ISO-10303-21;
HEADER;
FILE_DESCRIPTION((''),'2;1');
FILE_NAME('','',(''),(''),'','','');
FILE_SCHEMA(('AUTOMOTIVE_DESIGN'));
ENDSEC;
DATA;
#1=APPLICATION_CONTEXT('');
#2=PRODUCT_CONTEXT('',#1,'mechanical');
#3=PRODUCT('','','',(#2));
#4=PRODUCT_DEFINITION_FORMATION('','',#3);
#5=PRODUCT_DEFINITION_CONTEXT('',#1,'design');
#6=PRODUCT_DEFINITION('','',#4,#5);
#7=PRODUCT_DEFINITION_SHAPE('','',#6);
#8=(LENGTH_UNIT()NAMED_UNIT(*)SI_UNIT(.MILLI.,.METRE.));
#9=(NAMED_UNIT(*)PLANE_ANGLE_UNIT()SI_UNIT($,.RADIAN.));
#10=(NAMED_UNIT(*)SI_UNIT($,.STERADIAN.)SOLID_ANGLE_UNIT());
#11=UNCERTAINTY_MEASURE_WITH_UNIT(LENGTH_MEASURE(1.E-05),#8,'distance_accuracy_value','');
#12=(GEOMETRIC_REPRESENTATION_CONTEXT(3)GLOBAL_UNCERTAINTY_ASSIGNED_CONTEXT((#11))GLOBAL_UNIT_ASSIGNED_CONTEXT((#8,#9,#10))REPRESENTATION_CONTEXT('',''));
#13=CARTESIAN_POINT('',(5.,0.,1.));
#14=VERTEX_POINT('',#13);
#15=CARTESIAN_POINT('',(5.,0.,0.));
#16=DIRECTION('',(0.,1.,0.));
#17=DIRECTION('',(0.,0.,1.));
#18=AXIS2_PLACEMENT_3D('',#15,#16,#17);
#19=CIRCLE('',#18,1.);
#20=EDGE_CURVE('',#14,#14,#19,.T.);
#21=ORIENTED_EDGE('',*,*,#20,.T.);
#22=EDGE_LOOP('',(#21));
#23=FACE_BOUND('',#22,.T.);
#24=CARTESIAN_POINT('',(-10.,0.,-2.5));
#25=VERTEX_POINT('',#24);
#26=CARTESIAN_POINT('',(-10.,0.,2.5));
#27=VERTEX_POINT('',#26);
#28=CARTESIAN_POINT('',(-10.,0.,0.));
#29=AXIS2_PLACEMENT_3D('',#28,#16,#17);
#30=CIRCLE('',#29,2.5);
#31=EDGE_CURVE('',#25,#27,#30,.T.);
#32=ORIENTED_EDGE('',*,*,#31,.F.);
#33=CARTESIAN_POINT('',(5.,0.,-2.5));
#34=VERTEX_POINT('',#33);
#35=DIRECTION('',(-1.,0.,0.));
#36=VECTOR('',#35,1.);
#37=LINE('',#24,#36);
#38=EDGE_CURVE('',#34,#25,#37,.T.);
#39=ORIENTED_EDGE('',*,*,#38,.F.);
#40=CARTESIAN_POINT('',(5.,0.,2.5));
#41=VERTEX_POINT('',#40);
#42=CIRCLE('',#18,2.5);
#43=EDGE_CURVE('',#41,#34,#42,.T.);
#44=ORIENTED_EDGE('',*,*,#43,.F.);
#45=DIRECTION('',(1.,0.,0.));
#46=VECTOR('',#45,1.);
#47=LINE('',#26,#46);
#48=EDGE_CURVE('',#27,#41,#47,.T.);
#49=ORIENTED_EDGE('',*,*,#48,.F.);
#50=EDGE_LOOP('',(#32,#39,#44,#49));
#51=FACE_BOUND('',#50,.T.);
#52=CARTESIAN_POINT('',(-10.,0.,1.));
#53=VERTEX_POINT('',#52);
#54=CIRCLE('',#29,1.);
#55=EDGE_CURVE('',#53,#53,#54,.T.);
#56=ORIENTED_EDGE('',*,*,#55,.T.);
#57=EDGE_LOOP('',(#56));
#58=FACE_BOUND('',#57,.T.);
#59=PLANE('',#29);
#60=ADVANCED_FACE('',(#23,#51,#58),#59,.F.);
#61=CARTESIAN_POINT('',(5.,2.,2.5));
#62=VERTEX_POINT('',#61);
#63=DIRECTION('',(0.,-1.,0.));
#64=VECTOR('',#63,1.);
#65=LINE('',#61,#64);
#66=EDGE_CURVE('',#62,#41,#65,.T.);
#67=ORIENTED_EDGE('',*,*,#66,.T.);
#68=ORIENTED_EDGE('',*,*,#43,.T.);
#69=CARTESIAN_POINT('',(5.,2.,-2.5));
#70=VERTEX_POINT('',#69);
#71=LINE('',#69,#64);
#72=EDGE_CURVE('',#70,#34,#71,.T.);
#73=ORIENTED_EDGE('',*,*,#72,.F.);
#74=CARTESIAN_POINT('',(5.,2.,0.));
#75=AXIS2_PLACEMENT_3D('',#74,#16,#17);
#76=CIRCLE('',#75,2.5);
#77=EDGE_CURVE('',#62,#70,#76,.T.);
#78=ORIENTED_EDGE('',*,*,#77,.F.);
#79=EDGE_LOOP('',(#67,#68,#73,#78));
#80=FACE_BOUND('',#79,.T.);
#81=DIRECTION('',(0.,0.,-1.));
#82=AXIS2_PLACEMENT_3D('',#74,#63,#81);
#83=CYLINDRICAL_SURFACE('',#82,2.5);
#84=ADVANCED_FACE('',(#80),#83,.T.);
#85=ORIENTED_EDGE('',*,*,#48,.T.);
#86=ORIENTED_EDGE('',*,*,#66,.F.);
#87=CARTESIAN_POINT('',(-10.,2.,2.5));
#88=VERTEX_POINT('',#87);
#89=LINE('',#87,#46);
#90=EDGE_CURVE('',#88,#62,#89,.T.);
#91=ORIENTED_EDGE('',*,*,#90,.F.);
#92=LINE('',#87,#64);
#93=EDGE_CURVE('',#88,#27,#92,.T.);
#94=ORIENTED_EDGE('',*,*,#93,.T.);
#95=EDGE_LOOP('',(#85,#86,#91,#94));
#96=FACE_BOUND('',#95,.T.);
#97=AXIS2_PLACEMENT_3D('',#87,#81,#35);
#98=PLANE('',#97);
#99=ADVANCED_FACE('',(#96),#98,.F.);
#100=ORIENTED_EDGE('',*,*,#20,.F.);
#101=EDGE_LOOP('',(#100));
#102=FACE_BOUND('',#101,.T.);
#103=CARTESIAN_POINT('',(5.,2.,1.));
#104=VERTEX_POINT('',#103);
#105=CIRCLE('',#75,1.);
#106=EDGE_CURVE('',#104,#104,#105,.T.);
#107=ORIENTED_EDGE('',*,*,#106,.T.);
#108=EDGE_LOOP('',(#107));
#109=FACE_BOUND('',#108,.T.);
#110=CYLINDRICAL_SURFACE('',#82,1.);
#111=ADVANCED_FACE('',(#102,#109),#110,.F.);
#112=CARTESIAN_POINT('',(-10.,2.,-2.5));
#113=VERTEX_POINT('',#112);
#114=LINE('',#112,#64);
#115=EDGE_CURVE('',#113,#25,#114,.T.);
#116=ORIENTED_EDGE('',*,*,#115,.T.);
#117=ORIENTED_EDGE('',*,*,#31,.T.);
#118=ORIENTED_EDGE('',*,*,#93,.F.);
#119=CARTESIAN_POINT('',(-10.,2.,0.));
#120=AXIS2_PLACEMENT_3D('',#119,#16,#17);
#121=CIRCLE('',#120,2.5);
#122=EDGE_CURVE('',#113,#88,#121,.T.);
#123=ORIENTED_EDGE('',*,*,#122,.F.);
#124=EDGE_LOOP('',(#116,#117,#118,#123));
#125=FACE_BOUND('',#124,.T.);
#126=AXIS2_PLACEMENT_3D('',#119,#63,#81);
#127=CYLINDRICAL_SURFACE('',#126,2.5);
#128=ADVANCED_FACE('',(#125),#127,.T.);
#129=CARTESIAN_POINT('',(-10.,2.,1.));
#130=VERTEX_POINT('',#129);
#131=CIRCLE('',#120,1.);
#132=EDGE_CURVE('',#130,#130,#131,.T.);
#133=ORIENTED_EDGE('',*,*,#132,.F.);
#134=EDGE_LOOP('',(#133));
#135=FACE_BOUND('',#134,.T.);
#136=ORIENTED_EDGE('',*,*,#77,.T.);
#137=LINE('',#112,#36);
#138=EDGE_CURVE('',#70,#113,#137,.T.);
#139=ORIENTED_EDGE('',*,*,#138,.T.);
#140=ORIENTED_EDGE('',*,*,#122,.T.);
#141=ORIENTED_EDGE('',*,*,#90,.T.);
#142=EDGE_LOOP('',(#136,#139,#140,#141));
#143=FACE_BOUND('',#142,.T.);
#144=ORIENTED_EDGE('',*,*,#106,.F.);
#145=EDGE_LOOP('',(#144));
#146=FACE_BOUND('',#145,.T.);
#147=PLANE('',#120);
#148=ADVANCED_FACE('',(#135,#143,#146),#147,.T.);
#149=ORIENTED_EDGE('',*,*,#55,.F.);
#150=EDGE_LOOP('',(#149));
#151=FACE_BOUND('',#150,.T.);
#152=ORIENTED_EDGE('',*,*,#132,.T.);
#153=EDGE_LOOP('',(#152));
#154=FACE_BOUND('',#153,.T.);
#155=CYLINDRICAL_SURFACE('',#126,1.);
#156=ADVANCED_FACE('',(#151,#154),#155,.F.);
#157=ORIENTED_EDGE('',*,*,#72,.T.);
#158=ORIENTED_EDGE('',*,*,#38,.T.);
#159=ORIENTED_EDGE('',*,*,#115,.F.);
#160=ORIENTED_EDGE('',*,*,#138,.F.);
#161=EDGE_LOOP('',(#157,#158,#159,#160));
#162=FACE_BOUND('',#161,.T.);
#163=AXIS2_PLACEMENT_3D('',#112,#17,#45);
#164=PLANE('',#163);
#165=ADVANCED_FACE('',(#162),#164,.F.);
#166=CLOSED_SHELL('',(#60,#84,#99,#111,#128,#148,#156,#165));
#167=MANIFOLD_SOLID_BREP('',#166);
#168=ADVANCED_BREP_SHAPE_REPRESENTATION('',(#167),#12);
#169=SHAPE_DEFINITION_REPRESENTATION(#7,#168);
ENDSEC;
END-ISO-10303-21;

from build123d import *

# Parameters (mm, degrees)
SKETCH1_R           = 1
BOSS_EXTRUDE1_DEPTH = 2


with BuildPart() as part:
    # Sketch1 → Boss-Extrude1 (new body)
    with BuildSketch(Plane(origin=(0, 0, 0), x_dir=(1, 0, 0), z_dir=(0, 1, 0))):
        with BuildLine():
            Line((-10, 2.5), (5, 2.5))
            ThreePointArc((5, 2.5), (7.5, 0), (5, -2.5))
            Line((5, -2.5), (-10, -2.5))
            ThreePointArc((-10, -2.5), (-12.5, 0), (-10, 2.5))
        make_face()
        with Locations(Location((5, 0, 0), (0, 0, 270))):
            Circle(SKETCH1_R, mode=Mode.SUBTRACT)
        with Locations(Location((-10, 0, 0), (0, 0, 270))):
            Circle(SKETCH1_R, mode=Mode.SUBTRACT)
    extrude(amount=BOSS_EXTRUDE1_DEPTH)


solid = part.part
